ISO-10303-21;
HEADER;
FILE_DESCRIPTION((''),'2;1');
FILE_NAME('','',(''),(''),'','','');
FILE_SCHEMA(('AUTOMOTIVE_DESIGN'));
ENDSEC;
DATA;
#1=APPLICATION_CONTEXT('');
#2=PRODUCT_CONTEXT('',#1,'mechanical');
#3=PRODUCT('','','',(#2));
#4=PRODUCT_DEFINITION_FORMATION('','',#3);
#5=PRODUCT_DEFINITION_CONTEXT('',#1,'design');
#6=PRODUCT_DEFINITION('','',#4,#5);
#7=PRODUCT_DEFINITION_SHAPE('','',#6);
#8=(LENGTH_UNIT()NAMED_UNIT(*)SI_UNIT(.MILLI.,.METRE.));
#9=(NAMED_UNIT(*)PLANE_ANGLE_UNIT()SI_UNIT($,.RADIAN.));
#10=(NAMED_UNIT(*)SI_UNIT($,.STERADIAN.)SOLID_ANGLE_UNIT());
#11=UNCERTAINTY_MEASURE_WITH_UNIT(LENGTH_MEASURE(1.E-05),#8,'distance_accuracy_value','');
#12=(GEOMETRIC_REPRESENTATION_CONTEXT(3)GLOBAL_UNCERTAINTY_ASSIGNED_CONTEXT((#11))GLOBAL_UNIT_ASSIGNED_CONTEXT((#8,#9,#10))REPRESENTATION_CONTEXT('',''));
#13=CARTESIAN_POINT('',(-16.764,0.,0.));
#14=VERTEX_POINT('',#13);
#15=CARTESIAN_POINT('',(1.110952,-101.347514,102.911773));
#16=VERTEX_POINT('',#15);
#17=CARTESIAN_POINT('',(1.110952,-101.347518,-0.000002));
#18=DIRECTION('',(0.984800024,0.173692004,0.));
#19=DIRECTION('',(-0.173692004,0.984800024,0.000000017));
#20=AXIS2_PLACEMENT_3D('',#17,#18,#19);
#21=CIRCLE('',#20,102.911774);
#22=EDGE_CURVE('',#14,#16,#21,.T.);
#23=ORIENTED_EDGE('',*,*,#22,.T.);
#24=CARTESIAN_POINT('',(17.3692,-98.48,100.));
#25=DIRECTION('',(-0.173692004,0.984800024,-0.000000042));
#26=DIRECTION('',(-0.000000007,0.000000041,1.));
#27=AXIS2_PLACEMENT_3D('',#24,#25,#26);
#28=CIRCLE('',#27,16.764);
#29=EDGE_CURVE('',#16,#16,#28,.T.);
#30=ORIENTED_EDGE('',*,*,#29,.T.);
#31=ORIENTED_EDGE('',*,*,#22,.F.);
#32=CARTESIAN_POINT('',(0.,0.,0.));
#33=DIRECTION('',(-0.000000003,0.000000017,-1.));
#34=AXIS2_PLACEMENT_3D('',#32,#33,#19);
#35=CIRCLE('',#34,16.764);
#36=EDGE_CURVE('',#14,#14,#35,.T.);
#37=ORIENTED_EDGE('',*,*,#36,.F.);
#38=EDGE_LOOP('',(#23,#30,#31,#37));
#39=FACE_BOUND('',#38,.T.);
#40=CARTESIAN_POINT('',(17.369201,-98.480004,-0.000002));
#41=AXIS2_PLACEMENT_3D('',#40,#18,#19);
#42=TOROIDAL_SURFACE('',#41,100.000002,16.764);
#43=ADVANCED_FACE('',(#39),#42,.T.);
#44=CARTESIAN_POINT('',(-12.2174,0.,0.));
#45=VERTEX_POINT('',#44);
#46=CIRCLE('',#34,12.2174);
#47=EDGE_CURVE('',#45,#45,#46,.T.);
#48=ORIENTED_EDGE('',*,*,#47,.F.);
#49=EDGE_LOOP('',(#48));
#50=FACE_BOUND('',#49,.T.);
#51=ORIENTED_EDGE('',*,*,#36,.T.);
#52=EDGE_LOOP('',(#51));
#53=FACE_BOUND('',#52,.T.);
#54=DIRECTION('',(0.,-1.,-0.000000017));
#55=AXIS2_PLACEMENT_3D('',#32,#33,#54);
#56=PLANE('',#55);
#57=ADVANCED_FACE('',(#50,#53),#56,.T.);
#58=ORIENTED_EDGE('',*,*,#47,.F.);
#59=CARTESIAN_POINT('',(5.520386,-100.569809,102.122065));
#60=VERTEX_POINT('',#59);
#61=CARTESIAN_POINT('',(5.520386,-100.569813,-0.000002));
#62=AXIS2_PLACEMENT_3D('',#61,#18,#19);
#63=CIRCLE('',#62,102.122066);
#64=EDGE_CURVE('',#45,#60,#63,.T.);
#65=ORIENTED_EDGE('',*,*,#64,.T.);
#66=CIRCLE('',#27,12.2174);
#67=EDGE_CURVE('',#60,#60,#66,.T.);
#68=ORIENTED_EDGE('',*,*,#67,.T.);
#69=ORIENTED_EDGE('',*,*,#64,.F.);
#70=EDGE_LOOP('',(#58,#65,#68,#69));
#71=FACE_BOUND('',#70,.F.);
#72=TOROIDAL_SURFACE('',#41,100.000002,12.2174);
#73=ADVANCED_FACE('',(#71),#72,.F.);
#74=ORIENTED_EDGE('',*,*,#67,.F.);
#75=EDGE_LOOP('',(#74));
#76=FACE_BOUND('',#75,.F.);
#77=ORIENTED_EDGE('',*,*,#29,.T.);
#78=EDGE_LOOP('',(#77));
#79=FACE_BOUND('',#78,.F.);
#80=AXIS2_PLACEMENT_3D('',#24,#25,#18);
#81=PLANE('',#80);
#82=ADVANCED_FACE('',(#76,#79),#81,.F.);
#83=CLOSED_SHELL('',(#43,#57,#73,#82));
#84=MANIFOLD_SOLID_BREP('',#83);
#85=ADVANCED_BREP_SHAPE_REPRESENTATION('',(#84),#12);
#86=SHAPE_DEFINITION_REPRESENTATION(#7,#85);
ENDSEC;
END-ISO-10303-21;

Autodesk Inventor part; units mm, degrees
ref_plane "Start Plane" through (0, 0, 0) normal (0, 0, 1) x (1, 0, 0)
ref_plane "End Plane" through (0, 0, 157.0796) normal (0, 0, 1) x (1, 0, 0)
sketch "Sketch" plane through (0, 0, 0) normal (0, 0, -1) x (-1, 0, 0)
  circle A0 centre (0, 0) radius 12.2174
  circle A1 centre (0, 0) radius 16.764
  dimension "d0" = 33.528
  dimension "d1" = 4.5466
sketch "Sketch3" plane through (0, 0, 0) normal (0, 0, 1) x (1, 0, 0)
  line L0 (0, 0) -> (10, 0)
ref_plane "Work Plane3" through (0, 0, 0) normal (0, -1, 0) x (1, 0, 0)
ref_plane "Orientation Work Plane" through (0, 0, 0) normal (0, 0, -1) x (-1, 0, 0)
sketch3d "Sweep Path"
  arc A0 (0, 0, 0) -> (17.3692, -98.48, 100) centre (17.3692, -98.48, 0) ccw
sweep "Body" add profiles "Sketch" path "Sweep Path"
sketch "Sketch4" plane through (0, 0, 0) normal (0, -1, 0) x (1, 0, 0)
  line L0 (-2, 0) -> (12, 0) projected
  line L1 (-26.8925, 157.0796) -> (44.0068, 157.0796) projected
  dimension "d7" = 157.0796
equation "\"d0\" = G_H"
equation "\"d1\" = G_T"
equation "\"G_H\" = 33.528"
equation "\"G_T\" = 4.5466"
equation "\"G_L\" = d7"
equation "\"G_OFFSET_START\" = 0"
equation "\"G_OFFSET_END\" = 0"
equation "\"d5\" = G_OFFSET_END + B_L"
equation "\"B_L\" = 157.07963"
properties part number "ANSI - 1 x 0.179 - 6.184" material "Steel, Mild"
